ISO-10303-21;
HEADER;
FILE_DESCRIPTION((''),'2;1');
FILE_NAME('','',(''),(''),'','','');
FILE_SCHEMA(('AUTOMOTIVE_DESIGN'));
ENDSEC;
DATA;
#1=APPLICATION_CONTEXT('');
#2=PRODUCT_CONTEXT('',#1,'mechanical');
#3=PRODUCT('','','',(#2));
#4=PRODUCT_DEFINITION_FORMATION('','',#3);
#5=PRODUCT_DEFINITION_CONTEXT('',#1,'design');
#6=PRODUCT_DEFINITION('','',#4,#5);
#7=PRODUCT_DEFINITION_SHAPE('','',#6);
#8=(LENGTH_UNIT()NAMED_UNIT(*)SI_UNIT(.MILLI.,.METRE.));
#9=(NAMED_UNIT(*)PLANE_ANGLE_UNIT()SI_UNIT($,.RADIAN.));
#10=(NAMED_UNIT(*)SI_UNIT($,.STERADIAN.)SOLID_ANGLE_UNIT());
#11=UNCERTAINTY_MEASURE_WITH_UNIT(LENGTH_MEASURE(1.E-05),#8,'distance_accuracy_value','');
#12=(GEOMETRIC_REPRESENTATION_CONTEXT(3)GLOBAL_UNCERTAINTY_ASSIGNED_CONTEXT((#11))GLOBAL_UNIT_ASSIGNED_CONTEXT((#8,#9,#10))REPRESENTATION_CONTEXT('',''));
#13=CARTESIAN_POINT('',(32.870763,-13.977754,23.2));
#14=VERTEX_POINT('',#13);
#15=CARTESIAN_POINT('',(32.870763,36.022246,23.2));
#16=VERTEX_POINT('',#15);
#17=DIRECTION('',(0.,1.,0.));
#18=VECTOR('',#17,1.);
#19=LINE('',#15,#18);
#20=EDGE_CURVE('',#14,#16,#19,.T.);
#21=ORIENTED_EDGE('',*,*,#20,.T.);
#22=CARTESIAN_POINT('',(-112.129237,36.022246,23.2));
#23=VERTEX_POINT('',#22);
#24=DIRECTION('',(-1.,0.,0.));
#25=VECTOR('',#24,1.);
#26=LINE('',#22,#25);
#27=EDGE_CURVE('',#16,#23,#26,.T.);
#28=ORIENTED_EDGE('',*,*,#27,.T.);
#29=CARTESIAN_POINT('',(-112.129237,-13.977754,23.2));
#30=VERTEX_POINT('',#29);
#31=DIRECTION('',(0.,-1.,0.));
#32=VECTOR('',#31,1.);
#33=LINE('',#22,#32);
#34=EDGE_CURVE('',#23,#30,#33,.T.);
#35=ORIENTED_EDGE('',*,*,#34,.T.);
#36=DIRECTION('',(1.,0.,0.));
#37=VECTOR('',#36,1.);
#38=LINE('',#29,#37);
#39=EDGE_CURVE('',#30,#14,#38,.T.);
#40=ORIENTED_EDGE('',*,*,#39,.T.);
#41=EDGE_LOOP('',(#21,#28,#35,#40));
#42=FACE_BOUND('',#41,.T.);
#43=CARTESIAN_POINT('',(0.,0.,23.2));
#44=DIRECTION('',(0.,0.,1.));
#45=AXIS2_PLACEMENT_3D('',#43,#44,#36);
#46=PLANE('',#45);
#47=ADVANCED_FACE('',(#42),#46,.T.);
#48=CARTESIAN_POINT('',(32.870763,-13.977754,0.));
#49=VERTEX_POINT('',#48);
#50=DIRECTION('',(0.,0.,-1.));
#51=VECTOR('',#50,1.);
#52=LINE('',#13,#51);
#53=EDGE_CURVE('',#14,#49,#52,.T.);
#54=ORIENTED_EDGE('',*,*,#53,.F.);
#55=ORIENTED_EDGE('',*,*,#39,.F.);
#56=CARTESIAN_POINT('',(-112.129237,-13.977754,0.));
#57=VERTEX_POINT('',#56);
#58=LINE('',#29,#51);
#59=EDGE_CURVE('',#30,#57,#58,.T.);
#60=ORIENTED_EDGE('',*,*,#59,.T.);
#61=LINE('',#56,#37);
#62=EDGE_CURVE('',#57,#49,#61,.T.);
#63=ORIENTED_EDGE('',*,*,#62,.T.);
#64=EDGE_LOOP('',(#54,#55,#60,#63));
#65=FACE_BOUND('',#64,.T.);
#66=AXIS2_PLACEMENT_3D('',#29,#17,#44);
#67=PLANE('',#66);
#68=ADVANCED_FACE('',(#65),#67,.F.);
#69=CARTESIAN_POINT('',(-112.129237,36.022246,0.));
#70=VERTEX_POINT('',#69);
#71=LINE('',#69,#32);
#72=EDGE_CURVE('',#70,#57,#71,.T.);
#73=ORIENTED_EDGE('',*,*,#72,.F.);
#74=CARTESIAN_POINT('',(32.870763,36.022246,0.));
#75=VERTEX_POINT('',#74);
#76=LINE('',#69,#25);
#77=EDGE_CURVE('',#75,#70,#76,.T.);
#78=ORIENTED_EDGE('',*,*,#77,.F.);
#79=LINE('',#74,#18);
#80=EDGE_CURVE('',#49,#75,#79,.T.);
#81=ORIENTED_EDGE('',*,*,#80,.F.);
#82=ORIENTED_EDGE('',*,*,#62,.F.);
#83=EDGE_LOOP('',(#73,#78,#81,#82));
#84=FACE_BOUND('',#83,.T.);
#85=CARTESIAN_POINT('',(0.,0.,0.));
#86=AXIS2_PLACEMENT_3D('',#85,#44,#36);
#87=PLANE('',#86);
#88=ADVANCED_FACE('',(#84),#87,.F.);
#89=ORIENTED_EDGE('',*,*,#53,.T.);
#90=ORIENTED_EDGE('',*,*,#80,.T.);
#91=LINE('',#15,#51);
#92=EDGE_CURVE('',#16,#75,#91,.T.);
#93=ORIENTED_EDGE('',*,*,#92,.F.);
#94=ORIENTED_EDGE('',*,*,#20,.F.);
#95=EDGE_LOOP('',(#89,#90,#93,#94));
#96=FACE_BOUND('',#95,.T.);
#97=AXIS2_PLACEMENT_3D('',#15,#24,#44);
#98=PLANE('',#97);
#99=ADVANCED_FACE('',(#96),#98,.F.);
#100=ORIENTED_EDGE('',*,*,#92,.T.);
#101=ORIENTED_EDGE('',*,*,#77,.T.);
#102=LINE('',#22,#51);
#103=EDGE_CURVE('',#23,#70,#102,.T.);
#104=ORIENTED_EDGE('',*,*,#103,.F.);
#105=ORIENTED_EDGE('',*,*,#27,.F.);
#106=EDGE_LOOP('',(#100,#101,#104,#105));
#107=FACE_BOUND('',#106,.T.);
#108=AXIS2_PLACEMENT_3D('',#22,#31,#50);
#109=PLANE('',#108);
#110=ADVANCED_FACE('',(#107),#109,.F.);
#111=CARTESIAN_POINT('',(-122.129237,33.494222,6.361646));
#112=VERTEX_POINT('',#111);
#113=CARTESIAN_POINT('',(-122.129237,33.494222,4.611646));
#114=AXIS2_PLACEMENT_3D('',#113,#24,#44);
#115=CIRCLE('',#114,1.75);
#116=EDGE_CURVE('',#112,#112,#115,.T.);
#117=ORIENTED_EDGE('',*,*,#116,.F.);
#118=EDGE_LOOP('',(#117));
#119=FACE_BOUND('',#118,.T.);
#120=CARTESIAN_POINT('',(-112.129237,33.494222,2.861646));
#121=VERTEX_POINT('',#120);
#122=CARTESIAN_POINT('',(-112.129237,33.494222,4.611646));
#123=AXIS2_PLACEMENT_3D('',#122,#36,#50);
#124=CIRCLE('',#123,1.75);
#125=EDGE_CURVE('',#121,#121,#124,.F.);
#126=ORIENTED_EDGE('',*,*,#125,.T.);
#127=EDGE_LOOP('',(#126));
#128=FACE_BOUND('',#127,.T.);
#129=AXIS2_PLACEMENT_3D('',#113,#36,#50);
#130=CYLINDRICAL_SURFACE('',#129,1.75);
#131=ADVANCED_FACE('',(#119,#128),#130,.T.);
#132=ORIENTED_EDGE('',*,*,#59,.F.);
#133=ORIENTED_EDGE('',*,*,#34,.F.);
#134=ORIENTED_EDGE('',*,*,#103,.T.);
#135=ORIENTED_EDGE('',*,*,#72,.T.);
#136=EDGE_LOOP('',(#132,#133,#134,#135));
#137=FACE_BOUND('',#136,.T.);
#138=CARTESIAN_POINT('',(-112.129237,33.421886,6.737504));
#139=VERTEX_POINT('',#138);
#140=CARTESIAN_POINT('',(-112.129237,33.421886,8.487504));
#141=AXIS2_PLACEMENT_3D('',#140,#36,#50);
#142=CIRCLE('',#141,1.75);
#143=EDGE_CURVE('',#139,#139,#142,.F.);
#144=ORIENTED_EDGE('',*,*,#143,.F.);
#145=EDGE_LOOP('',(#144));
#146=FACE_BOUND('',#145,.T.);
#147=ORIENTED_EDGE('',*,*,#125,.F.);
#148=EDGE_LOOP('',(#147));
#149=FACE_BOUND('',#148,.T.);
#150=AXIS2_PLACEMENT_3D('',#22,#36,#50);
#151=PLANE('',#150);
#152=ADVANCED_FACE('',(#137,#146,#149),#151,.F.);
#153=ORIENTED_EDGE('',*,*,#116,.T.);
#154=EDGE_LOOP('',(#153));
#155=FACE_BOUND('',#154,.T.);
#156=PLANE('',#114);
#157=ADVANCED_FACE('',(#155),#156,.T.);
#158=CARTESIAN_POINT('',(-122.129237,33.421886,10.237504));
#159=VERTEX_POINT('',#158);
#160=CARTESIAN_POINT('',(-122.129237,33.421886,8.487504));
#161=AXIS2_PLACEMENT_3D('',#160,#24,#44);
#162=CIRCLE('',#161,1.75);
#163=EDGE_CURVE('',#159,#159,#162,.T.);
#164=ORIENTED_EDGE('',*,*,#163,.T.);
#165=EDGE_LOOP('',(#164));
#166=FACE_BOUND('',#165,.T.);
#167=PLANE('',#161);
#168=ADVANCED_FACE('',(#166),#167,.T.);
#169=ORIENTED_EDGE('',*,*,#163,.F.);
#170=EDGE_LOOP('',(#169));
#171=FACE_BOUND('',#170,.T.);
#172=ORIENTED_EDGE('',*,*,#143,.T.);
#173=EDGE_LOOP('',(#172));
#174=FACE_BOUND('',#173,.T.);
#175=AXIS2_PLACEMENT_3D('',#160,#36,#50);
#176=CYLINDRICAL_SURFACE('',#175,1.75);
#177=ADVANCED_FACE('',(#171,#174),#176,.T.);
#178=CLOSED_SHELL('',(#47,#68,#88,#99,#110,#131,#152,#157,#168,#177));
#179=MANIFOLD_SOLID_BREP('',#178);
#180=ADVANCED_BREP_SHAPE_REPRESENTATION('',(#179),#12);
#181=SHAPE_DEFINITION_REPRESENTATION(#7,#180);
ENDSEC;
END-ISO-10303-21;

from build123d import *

# Parameters (mm, degrees)
SKETCH1_W           = 145
SKETCH1_H           = 50
BOSS_EXTRUDE1_DEPTH = 23.2
SKETCH2_R           = 1.75
BOSS_EXTRUDE2_DEPTH = 10
SKETCH3_R           = 1.75
BOSS_EXTRUDE3_DEPTH = 10


with BuildPart() as part:
    # Sketch1 → Boss-Extrude1 (new body)
    with BuildSketch(Plane.XY):
        with Locations((-39.629237288, 11.022245763)):
            Rectangle(SKETCH1_W, SKETCH1_H)
    extrude(amount=BOSS_EXTRUDE1_DEPTH)

    # Sketch2 → Boss-Extrude2 (add)
    with BuildSketch(Plane.ZY.offset(112.129237288)):
        with Locations(Location((4.611645571, 33.494222045, 0), (0, 0, 180))):
            Circle(SKETCH2_R)
    extrude(amount=BOSS_EXTRUDE2_DEPTH)

    # Sketch3 → Boss-Extrude3 (add)
    with BuildSketch(Plane.ZY.offset(112.129237288)):
        with Locations(Location((8.487504138, 33.421885549, 0), (0, 0, 180))):
            Circle(SKETCH3_R)
    extrude(amount=BOSS_EXTRUDE3_DEPTH)


solid = part.part
